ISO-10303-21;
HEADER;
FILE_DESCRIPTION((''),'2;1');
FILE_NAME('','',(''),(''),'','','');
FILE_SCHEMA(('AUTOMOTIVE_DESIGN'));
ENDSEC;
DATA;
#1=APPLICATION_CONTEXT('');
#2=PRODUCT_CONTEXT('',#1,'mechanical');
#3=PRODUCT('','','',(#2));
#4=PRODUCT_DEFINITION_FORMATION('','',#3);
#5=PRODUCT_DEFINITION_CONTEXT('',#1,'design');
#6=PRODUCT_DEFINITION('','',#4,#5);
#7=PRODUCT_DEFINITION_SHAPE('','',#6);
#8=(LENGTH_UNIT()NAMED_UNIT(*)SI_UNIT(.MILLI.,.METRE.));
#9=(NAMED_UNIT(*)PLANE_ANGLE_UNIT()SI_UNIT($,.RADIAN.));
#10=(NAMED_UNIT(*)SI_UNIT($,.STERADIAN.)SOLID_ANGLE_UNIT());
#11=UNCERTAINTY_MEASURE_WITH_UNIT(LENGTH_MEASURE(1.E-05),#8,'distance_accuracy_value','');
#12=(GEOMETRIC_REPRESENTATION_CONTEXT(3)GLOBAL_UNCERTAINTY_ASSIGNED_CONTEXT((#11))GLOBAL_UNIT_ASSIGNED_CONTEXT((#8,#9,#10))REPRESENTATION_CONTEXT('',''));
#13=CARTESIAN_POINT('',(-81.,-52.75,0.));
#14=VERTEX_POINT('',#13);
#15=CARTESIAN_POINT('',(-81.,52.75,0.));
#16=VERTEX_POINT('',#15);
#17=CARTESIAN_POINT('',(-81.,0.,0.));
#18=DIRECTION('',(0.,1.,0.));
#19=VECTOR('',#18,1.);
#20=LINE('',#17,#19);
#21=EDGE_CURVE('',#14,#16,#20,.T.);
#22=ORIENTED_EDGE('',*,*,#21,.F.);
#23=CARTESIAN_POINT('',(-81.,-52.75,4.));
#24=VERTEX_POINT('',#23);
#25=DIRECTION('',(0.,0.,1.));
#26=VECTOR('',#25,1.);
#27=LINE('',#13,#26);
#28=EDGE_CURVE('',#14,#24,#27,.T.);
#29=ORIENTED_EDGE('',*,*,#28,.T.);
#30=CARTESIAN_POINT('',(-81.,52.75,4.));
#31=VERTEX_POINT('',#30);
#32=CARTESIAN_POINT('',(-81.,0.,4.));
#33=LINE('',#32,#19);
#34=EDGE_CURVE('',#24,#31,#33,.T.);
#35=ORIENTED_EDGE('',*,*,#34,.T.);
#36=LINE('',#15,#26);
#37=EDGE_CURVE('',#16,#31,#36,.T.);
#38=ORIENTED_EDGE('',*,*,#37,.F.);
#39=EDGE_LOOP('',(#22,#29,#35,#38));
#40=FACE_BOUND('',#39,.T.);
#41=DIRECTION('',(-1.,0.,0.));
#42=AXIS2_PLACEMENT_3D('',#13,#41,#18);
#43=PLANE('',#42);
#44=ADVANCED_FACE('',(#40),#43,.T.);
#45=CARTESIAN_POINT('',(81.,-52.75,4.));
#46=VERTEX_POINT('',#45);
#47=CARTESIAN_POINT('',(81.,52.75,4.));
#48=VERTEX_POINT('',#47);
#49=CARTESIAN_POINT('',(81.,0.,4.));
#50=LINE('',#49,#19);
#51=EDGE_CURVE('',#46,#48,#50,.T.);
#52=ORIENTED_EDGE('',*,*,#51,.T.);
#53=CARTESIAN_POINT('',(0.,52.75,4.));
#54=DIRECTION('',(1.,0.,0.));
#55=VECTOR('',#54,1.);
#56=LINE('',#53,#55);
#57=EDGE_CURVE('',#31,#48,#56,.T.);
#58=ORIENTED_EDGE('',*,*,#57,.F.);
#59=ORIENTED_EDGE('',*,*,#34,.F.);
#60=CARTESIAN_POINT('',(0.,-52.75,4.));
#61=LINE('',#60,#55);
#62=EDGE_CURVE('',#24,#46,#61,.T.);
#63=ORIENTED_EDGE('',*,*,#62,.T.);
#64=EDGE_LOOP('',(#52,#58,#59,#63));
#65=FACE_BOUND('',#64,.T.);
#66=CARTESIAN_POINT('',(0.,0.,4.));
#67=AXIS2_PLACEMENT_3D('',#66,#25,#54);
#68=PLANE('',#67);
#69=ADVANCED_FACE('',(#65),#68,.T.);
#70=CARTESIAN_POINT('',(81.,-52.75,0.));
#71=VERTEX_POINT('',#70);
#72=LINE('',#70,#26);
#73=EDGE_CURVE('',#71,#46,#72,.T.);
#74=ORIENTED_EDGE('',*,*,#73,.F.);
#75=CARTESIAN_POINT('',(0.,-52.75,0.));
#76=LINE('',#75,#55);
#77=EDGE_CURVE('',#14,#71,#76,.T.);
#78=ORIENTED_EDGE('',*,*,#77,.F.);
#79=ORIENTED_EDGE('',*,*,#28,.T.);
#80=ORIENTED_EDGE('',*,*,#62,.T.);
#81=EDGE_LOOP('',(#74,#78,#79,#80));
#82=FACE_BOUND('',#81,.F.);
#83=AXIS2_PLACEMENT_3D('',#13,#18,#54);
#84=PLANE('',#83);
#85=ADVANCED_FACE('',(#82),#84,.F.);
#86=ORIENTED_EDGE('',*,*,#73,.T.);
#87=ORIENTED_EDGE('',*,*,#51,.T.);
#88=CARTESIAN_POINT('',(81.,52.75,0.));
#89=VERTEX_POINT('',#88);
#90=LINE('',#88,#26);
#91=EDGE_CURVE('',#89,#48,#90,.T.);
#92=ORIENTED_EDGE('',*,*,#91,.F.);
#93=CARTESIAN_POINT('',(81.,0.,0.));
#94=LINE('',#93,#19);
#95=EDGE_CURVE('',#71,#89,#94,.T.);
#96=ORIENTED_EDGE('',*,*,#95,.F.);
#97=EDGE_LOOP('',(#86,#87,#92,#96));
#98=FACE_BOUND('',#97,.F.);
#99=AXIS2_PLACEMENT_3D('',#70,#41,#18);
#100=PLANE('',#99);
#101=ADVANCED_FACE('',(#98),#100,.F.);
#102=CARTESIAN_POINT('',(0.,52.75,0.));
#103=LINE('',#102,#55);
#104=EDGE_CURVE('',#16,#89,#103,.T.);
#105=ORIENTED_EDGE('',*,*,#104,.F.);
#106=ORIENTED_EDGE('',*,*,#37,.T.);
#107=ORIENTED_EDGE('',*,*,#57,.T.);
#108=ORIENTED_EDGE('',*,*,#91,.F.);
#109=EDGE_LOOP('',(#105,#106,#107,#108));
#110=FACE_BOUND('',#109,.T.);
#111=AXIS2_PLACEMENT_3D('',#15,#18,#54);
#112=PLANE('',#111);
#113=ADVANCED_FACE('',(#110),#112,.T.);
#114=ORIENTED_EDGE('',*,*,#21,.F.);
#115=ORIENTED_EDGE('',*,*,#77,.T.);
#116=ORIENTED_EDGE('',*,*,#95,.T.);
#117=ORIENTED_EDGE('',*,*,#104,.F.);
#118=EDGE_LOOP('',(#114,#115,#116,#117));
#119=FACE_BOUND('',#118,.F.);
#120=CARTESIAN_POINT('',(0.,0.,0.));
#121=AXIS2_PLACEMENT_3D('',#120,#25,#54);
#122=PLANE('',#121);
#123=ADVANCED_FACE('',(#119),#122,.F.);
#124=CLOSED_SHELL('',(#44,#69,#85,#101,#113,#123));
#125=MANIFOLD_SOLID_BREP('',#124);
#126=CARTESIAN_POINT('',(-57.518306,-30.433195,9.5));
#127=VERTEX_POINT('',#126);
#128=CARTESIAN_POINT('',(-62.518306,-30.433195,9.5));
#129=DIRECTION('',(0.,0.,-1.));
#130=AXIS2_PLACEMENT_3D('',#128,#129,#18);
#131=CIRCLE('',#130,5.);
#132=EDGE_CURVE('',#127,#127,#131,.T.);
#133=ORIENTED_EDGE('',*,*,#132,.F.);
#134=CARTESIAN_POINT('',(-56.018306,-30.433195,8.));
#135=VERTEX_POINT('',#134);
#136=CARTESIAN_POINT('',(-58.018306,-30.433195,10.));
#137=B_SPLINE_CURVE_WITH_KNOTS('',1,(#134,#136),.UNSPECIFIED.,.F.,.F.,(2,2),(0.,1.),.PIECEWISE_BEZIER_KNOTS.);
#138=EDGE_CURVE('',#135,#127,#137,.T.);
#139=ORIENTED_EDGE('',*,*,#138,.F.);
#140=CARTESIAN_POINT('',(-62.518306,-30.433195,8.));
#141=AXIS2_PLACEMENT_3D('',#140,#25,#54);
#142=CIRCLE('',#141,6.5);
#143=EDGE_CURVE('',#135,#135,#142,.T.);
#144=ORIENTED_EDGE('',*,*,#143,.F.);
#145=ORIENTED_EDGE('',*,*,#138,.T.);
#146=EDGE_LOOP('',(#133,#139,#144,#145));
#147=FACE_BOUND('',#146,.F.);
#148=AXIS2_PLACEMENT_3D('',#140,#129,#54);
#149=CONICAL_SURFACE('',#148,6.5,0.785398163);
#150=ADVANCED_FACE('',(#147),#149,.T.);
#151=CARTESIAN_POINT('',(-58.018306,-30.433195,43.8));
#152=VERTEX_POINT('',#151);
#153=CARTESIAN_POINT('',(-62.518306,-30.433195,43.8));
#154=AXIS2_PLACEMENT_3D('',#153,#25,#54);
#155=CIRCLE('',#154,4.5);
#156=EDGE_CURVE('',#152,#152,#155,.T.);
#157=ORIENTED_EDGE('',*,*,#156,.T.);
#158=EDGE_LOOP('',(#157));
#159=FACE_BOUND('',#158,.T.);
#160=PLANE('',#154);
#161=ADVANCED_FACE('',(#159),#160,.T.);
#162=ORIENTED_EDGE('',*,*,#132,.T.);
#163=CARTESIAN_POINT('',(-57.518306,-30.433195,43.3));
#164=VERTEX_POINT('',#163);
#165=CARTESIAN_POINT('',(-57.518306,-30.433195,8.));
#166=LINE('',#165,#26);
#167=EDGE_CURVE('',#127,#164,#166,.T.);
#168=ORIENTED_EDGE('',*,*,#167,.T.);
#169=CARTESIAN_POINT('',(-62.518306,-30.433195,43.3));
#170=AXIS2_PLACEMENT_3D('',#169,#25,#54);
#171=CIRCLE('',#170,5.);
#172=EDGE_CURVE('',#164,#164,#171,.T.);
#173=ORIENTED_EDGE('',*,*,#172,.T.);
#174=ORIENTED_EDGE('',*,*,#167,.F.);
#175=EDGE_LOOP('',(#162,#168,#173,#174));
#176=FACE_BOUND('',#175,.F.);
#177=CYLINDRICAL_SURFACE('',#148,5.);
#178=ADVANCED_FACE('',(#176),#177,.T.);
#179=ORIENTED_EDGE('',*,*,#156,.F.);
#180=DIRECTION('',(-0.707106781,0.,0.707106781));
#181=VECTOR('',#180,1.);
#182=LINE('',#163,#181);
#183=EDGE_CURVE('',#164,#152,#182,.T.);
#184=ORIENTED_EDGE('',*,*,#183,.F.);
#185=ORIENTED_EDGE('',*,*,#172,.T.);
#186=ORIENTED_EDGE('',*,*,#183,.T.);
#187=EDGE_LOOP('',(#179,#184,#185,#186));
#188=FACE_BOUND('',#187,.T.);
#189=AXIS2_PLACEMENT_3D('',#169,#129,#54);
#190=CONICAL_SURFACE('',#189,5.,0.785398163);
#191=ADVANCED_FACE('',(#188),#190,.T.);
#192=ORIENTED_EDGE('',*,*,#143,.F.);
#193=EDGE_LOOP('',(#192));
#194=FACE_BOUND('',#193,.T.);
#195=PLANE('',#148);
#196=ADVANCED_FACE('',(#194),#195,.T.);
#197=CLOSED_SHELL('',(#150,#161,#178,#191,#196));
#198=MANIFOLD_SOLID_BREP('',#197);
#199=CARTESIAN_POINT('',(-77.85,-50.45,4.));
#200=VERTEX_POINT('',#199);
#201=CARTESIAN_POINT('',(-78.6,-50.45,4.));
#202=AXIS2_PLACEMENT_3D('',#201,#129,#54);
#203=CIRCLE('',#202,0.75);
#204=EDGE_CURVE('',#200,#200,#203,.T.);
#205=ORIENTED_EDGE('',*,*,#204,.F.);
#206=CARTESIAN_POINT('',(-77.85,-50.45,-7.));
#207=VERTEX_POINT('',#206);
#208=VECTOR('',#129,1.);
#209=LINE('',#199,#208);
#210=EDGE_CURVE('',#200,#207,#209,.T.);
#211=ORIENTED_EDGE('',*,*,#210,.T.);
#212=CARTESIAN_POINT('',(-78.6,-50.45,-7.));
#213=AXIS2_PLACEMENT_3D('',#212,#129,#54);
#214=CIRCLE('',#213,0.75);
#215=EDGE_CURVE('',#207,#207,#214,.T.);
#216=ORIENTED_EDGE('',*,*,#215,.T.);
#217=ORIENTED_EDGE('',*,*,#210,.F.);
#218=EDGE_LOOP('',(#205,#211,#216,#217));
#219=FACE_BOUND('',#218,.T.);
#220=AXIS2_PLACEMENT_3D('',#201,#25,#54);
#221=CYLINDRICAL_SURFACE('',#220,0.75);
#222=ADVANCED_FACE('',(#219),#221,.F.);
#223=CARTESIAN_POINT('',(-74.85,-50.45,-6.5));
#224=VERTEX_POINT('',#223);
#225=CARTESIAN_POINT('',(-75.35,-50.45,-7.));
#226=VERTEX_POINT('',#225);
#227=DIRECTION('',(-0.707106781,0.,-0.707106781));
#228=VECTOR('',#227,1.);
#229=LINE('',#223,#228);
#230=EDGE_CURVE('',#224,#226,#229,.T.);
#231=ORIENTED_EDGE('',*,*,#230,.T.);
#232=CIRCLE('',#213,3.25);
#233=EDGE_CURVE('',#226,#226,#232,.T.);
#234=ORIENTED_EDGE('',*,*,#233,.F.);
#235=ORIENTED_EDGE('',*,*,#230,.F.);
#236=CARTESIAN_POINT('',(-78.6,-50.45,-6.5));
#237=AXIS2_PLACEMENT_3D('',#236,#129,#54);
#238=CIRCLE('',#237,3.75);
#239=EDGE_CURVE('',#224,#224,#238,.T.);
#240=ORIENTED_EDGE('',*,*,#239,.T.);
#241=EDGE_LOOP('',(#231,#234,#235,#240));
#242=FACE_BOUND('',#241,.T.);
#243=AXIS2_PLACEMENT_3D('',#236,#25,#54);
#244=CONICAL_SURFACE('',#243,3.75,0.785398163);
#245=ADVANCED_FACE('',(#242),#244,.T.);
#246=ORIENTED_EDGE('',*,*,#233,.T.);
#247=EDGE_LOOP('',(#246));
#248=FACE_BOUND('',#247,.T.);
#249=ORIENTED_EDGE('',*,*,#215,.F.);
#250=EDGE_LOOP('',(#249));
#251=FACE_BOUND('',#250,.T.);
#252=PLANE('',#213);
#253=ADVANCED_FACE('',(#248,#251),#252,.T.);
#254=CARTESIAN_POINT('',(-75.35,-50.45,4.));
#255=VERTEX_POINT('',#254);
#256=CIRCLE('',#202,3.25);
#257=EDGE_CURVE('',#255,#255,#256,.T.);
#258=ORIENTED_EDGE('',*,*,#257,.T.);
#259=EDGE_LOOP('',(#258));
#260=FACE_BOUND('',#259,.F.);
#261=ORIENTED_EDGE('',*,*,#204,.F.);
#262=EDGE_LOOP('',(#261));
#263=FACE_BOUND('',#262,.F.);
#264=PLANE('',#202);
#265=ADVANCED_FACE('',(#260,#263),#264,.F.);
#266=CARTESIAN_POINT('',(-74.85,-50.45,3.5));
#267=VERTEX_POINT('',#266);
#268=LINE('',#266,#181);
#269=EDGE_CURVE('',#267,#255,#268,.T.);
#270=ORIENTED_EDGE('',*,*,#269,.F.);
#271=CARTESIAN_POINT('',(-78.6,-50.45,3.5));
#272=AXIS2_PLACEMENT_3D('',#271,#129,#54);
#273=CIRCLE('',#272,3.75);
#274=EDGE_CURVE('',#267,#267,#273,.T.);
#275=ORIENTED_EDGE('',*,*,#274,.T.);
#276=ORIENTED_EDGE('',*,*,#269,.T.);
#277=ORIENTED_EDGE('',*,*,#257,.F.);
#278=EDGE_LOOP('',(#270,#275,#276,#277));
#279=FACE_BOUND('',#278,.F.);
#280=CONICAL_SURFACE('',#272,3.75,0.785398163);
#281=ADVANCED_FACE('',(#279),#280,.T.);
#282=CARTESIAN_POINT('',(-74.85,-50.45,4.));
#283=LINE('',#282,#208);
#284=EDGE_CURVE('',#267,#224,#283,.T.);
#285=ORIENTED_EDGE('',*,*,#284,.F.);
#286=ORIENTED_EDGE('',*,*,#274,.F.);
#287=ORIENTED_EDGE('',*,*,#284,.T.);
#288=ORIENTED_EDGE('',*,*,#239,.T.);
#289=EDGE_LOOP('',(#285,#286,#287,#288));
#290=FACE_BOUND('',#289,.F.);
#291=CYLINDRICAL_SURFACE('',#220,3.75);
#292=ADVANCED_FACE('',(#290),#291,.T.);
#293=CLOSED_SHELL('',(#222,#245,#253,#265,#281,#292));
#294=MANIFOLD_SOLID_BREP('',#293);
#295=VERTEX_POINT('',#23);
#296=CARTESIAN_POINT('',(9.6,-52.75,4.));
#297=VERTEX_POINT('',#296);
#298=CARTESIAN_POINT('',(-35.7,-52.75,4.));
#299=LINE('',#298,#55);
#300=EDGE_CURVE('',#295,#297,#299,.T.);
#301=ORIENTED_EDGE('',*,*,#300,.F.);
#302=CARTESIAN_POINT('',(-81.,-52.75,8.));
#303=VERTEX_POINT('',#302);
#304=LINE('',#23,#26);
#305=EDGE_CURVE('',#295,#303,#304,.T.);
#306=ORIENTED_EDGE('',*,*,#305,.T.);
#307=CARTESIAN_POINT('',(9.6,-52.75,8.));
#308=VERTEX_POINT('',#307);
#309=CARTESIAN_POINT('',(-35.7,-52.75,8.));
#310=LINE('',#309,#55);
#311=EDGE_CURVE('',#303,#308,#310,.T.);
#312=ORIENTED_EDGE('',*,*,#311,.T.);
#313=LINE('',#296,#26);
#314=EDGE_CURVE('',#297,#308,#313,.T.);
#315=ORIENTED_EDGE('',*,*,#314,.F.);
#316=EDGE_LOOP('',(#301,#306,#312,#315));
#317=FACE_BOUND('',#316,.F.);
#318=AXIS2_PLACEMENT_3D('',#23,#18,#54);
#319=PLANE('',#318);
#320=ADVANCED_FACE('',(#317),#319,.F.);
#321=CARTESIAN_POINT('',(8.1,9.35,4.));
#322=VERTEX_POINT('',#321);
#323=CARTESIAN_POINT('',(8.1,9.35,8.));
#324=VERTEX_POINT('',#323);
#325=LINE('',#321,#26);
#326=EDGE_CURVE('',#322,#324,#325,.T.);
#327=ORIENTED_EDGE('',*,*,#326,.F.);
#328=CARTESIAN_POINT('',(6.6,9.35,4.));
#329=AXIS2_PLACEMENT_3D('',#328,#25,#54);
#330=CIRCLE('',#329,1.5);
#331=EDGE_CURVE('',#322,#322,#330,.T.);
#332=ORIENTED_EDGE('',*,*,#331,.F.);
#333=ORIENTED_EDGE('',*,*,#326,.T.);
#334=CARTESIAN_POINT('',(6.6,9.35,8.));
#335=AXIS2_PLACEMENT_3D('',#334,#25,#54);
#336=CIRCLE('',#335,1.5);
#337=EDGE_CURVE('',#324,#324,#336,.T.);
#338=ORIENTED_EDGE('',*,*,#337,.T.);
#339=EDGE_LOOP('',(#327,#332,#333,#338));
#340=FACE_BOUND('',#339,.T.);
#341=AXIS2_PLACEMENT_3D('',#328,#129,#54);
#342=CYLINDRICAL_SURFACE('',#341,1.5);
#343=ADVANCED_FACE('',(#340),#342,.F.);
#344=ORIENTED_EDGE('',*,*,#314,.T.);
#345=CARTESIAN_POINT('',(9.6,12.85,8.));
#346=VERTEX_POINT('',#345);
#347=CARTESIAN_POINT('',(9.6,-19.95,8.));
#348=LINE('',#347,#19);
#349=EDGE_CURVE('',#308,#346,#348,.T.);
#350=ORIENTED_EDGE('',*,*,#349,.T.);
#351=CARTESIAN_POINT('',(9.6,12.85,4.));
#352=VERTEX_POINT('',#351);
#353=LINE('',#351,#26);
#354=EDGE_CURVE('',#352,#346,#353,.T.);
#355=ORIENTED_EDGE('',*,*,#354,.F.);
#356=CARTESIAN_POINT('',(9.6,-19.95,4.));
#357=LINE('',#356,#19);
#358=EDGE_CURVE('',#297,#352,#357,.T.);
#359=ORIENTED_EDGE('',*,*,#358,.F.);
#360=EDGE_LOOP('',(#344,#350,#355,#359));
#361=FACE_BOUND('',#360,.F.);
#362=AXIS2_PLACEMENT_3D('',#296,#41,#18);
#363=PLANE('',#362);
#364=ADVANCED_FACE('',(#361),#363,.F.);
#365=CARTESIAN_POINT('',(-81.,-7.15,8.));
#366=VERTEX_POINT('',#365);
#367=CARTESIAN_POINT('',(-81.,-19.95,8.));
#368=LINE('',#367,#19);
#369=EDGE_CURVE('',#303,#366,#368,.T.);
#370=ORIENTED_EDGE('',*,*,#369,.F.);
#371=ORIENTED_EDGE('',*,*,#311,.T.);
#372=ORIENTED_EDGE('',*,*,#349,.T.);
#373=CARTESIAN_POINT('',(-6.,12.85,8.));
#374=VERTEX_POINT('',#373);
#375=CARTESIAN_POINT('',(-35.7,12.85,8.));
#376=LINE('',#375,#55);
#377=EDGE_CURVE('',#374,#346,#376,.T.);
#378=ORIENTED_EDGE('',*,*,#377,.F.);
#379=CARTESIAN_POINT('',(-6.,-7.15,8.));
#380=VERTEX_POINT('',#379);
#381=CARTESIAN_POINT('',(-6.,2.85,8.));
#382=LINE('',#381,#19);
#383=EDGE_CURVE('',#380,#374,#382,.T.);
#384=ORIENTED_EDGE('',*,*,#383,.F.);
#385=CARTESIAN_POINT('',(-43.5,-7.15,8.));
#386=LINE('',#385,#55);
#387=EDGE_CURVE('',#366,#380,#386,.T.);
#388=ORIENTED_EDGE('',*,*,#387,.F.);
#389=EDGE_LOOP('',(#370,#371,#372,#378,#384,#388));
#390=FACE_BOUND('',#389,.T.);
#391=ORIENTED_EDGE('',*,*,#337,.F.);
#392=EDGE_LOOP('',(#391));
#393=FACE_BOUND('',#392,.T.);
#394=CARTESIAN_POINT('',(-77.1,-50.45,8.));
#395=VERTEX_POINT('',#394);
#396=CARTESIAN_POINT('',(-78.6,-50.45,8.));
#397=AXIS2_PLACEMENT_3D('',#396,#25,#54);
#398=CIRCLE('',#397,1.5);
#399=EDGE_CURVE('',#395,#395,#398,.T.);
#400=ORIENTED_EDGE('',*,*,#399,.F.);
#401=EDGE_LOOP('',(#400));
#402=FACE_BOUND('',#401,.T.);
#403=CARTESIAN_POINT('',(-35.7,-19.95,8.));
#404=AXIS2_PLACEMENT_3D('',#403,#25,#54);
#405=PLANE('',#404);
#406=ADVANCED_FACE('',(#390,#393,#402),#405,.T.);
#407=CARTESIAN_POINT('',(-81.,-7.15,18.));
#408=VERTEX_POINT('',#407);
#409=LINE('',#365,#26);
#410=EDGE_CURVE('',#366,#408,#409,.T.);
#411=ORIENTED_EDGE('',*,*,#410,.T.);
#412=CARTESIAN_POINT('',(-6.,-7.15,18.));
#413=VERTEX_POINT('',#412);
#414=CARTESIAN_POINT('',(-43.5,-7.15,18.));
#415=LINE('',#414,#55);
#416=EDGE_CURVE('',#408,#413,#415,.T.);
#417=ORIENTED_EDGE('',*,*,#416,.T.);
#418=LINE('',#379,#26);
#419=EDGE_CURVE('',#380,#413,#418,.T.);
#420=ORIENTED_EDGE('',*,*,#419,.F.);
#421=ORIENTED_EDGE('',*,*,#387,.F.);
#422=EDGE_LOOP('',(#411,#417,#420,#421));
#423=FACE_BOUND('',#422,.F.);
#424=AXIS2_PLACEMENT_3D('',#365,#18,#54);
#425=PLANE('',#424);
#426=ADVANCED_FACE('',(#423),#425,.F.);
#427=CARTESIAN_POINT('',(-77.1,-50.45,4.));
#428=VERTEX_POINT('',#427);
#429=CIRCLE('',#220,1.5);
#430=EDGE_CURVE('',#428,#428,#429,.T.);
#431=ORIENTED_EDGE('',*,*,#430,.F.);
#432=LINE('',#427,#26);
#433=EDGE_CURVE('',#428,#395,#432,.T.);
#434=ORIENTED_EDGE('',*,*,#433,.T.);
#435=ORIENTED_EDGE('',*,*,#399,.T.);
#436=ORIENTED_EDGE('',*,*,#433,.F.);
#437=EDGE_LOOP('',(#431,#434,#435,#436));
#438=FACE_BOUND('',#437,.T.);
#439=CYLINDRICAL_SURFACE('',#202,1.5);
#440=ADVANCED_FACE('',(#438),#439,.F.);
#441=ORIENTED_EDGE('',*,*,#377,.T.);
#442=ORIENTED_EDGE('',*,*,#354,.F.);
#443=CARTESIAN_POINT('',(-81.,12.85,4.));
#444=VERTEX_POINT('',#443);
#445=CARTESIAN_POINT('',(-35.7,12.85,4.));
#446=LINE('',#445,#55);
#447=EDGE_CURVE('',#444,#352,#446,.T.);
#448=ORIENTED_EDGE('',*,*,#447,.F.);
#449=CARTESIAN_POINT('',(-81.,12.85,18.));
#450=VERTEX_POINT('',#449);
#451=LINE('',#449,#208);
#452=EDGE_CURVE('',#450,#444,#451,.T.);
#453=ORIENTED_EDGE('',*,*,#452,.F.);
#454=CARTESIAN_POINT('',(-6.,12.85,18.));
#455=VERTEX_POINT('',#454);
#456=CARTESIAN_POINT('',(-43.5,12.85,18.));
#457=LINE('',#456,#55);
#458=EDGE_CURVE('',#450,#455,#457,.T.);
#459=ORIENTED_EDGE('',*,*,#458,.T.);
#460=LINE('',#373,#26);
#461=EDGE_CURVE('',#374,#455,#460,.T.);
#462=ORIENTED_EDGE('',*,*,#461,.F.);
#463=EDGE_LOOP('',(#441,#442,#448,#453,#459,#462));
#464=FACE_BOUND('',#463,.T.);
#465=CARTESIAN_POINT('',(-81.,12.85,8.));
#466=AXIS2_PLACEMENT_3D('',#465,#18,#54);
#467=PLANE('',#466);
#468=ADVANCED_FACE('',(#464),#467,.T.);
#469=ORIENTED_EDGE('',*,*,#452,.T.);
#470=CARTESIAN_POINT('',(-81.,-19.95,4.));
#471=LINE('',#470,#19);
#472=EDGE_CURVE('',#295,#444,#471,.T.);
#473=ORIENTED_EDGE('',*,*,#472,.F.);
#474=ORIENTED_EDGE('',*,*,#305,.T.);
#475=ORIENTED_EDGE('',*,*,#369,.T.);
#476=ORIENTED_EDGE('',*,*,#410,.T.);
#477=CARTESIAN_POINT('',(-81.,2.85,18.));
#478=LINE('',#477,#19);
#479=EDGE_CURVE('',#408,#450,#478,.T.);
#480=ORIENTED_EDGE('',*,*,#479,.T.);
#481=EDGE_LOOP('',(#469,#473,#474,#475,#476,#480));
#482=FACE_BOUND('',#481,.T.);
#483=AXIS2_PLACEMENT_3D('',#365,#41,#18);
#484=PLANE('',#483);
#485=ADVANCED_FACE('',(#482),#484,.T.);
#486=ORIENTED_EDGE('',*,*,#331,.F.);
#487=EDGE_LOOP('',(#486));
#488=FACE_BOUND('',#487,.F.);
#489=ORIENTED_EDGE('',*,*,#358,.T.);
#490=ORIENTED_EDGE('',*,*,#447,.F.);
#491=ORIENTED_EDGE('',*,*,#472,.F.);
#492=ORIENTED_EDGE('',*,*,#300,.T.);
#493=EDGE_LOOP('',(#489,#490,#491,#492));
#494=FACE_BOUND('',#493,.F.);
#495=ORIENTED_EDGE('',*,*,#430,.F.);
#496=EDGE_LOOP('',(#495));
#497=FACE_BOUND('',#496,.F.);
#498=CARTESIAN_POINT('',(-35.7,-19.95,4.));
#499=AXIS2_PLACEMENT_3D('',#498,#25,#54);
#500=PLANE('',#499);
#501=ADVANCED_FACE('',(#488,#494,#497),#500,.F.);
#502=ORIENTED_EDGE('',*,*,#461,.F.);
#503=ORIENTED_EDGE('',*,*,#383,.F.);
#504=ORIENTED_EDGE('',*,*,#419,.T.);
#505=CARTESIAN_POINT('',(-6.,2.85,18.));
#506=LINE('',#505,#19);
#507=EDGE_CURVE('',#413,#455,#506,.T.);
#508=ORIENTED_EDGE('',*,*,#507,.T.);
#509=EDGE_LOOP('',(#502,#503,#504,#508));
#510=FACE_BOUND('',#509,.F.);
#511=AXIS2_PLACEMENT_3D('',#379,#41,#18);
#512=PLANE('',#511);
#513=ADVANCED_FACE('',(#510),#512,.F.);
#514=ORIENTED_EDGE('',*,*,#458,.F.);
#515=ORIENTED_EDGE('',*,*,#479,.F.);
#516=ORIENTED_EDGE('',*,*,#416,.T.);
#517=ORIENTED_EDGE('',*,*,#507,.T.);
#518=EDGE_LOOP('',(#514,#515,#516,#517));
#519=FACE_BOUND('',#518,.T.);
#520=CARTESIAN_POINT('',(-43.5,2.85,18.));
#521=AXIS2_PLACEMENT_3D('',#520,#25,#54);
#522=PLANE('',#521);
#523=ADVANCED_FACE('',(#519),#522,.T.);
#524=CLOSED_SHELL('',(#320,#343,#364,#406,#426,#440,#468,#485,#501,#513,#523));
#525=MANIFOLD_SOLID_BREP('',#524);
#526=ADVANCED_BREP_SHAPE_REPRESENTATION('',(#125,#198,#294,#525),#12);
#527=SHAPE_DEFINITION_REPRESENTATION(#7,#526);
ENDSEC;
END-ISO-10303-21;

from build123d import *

# Parameters (mm, degrees)
F0_W      = 162
F0_H      = 105.5
F1_DEPTH  = 4
F2_W      = 90.6
F2_H      = 65.6
F2_R      = 1.5
F3_DEPTH  = 4
F4_W      = 75
F4_H      = 20
F5_DEPTH  = 10
F6_R      = 5
F7_DEPTH  = 35.8
F8_R      = 6.5
F8_R_2    = 5
F9_DEPTH  = 2
F9_TAPER  = 45
F10_SIZE  = 0.5
F11_R     = 3.75
F11_R_2   = 0.75
F12_DEPTH = 11
F14_SIZE  = 0.5


with BuildPart() as f1:
    # F0 (on Top) → F1 (new body)
    with BuildSketch(Plane.XY):
        Rectangle(F0_W, F0_H)
    extrude(amount=F1_DEPTH)


with BuildPart() as f3:
    # F2 (on face) → F3 (new body)
    with BuildSketch(Plane.XY.offset(4)):
        with Locations((-35.7, -19.95)):
            Rectangle(F2_W, F2_H)
        with Locations((-78.6, -50.45)):
            Circle(F2_R, mode=Mode.SUBTRACT)
        with Locations((6.6, 9.35)):
            Circle(F2_R, mode=Mode.SUBTRACT)
    extrude(amount=F3_DEPTH)

    # F4 (on face) → F5 (join)
    with BuildSketch(Plane.XY.offset(8)):
        with Locations((-43.5, 2.85)):
            Rectangle(F4_W, F4_H)
    extrude(amount=F5_DEPTH)


with BuildPart() as f7:
    # F6 (on face) → F7 (new body)
    with BuildSketch(Plane.XY.offset(8)):
        with Locations((-62.5183060765, -30.4331947118)):
            Circle(F6_R)
    extrude(amount=F7_DEPTH)

    # F8 (on face) → F9 (join)
    with BuildSketch(Plane(origin=(0, 0, 8), x_dir=(1, 0, 0), z_dir=(0, 0, -1))):
        with Locations((-62.5183060765, 30.4331947118)):
            Circle(F8_R)
        with Locations((-62.5183060765, 30.4331947118)):
            Circle(F8_R_2, mode=Mode.SUBTRACT)
        with Locations((-62.5183060765, 30.4331947118)):
            Circle(F8_R_2)
    extrude(amount=-F9_DEPTH, taper=F9_TAPER)

    # F10
    f10_edges = [f7.edges().sort_by_distance(p)[0] for p in [
        (-67.518306, -30.433195, 43.8),
    ]]
    chamfer(f10_edges, length=F10_SIZE)


with BuildPart() as f12:
    # F11 (on face) → F12 (new body)
    with BuildSketch(Plane(origin=(0, 0, 4), x_dir=(1, 0, 0), z_dir=(0, 0, -1))):
        with Locations((6.6, -9.35)):
            Circle(F11_R)
        with Locations((6.6, -9.35)):
            Circle(F11_R_2, mode=Mode.SUBTRACT)
    extrude(amount=F12_DEPTH)


with BuildPart() as f12b:
    # F11 (on face) → F12, piece 2 (new body)
    with BuildSketch(Plane(origin=(0, 0, 4), x_dir=(1, 0, 0), z_dir=(0, 0, -1))):
        with Locations((-78.6, 50.45)):
            Circle(F11_R)
        with Locations((-78.6, 50.45)):
            Circle(F11_R_2, mode=Mode.SUBTRACT)
    extrude(amount=F12_DEPTH)

    # F14
    f14_edges = [f12b.edges().sort_by_distance(p)[0] for p in [
        (-74.85, -50.45, -1.5),
        (-82.35, -50.45, 4),
        (-82.35, -50.45, -7),
    ]]
    chamfer(f14_edges, length=F14_SIZE)


solid = Compound([f1.part, f3.part, f7.part, f12b.part])
